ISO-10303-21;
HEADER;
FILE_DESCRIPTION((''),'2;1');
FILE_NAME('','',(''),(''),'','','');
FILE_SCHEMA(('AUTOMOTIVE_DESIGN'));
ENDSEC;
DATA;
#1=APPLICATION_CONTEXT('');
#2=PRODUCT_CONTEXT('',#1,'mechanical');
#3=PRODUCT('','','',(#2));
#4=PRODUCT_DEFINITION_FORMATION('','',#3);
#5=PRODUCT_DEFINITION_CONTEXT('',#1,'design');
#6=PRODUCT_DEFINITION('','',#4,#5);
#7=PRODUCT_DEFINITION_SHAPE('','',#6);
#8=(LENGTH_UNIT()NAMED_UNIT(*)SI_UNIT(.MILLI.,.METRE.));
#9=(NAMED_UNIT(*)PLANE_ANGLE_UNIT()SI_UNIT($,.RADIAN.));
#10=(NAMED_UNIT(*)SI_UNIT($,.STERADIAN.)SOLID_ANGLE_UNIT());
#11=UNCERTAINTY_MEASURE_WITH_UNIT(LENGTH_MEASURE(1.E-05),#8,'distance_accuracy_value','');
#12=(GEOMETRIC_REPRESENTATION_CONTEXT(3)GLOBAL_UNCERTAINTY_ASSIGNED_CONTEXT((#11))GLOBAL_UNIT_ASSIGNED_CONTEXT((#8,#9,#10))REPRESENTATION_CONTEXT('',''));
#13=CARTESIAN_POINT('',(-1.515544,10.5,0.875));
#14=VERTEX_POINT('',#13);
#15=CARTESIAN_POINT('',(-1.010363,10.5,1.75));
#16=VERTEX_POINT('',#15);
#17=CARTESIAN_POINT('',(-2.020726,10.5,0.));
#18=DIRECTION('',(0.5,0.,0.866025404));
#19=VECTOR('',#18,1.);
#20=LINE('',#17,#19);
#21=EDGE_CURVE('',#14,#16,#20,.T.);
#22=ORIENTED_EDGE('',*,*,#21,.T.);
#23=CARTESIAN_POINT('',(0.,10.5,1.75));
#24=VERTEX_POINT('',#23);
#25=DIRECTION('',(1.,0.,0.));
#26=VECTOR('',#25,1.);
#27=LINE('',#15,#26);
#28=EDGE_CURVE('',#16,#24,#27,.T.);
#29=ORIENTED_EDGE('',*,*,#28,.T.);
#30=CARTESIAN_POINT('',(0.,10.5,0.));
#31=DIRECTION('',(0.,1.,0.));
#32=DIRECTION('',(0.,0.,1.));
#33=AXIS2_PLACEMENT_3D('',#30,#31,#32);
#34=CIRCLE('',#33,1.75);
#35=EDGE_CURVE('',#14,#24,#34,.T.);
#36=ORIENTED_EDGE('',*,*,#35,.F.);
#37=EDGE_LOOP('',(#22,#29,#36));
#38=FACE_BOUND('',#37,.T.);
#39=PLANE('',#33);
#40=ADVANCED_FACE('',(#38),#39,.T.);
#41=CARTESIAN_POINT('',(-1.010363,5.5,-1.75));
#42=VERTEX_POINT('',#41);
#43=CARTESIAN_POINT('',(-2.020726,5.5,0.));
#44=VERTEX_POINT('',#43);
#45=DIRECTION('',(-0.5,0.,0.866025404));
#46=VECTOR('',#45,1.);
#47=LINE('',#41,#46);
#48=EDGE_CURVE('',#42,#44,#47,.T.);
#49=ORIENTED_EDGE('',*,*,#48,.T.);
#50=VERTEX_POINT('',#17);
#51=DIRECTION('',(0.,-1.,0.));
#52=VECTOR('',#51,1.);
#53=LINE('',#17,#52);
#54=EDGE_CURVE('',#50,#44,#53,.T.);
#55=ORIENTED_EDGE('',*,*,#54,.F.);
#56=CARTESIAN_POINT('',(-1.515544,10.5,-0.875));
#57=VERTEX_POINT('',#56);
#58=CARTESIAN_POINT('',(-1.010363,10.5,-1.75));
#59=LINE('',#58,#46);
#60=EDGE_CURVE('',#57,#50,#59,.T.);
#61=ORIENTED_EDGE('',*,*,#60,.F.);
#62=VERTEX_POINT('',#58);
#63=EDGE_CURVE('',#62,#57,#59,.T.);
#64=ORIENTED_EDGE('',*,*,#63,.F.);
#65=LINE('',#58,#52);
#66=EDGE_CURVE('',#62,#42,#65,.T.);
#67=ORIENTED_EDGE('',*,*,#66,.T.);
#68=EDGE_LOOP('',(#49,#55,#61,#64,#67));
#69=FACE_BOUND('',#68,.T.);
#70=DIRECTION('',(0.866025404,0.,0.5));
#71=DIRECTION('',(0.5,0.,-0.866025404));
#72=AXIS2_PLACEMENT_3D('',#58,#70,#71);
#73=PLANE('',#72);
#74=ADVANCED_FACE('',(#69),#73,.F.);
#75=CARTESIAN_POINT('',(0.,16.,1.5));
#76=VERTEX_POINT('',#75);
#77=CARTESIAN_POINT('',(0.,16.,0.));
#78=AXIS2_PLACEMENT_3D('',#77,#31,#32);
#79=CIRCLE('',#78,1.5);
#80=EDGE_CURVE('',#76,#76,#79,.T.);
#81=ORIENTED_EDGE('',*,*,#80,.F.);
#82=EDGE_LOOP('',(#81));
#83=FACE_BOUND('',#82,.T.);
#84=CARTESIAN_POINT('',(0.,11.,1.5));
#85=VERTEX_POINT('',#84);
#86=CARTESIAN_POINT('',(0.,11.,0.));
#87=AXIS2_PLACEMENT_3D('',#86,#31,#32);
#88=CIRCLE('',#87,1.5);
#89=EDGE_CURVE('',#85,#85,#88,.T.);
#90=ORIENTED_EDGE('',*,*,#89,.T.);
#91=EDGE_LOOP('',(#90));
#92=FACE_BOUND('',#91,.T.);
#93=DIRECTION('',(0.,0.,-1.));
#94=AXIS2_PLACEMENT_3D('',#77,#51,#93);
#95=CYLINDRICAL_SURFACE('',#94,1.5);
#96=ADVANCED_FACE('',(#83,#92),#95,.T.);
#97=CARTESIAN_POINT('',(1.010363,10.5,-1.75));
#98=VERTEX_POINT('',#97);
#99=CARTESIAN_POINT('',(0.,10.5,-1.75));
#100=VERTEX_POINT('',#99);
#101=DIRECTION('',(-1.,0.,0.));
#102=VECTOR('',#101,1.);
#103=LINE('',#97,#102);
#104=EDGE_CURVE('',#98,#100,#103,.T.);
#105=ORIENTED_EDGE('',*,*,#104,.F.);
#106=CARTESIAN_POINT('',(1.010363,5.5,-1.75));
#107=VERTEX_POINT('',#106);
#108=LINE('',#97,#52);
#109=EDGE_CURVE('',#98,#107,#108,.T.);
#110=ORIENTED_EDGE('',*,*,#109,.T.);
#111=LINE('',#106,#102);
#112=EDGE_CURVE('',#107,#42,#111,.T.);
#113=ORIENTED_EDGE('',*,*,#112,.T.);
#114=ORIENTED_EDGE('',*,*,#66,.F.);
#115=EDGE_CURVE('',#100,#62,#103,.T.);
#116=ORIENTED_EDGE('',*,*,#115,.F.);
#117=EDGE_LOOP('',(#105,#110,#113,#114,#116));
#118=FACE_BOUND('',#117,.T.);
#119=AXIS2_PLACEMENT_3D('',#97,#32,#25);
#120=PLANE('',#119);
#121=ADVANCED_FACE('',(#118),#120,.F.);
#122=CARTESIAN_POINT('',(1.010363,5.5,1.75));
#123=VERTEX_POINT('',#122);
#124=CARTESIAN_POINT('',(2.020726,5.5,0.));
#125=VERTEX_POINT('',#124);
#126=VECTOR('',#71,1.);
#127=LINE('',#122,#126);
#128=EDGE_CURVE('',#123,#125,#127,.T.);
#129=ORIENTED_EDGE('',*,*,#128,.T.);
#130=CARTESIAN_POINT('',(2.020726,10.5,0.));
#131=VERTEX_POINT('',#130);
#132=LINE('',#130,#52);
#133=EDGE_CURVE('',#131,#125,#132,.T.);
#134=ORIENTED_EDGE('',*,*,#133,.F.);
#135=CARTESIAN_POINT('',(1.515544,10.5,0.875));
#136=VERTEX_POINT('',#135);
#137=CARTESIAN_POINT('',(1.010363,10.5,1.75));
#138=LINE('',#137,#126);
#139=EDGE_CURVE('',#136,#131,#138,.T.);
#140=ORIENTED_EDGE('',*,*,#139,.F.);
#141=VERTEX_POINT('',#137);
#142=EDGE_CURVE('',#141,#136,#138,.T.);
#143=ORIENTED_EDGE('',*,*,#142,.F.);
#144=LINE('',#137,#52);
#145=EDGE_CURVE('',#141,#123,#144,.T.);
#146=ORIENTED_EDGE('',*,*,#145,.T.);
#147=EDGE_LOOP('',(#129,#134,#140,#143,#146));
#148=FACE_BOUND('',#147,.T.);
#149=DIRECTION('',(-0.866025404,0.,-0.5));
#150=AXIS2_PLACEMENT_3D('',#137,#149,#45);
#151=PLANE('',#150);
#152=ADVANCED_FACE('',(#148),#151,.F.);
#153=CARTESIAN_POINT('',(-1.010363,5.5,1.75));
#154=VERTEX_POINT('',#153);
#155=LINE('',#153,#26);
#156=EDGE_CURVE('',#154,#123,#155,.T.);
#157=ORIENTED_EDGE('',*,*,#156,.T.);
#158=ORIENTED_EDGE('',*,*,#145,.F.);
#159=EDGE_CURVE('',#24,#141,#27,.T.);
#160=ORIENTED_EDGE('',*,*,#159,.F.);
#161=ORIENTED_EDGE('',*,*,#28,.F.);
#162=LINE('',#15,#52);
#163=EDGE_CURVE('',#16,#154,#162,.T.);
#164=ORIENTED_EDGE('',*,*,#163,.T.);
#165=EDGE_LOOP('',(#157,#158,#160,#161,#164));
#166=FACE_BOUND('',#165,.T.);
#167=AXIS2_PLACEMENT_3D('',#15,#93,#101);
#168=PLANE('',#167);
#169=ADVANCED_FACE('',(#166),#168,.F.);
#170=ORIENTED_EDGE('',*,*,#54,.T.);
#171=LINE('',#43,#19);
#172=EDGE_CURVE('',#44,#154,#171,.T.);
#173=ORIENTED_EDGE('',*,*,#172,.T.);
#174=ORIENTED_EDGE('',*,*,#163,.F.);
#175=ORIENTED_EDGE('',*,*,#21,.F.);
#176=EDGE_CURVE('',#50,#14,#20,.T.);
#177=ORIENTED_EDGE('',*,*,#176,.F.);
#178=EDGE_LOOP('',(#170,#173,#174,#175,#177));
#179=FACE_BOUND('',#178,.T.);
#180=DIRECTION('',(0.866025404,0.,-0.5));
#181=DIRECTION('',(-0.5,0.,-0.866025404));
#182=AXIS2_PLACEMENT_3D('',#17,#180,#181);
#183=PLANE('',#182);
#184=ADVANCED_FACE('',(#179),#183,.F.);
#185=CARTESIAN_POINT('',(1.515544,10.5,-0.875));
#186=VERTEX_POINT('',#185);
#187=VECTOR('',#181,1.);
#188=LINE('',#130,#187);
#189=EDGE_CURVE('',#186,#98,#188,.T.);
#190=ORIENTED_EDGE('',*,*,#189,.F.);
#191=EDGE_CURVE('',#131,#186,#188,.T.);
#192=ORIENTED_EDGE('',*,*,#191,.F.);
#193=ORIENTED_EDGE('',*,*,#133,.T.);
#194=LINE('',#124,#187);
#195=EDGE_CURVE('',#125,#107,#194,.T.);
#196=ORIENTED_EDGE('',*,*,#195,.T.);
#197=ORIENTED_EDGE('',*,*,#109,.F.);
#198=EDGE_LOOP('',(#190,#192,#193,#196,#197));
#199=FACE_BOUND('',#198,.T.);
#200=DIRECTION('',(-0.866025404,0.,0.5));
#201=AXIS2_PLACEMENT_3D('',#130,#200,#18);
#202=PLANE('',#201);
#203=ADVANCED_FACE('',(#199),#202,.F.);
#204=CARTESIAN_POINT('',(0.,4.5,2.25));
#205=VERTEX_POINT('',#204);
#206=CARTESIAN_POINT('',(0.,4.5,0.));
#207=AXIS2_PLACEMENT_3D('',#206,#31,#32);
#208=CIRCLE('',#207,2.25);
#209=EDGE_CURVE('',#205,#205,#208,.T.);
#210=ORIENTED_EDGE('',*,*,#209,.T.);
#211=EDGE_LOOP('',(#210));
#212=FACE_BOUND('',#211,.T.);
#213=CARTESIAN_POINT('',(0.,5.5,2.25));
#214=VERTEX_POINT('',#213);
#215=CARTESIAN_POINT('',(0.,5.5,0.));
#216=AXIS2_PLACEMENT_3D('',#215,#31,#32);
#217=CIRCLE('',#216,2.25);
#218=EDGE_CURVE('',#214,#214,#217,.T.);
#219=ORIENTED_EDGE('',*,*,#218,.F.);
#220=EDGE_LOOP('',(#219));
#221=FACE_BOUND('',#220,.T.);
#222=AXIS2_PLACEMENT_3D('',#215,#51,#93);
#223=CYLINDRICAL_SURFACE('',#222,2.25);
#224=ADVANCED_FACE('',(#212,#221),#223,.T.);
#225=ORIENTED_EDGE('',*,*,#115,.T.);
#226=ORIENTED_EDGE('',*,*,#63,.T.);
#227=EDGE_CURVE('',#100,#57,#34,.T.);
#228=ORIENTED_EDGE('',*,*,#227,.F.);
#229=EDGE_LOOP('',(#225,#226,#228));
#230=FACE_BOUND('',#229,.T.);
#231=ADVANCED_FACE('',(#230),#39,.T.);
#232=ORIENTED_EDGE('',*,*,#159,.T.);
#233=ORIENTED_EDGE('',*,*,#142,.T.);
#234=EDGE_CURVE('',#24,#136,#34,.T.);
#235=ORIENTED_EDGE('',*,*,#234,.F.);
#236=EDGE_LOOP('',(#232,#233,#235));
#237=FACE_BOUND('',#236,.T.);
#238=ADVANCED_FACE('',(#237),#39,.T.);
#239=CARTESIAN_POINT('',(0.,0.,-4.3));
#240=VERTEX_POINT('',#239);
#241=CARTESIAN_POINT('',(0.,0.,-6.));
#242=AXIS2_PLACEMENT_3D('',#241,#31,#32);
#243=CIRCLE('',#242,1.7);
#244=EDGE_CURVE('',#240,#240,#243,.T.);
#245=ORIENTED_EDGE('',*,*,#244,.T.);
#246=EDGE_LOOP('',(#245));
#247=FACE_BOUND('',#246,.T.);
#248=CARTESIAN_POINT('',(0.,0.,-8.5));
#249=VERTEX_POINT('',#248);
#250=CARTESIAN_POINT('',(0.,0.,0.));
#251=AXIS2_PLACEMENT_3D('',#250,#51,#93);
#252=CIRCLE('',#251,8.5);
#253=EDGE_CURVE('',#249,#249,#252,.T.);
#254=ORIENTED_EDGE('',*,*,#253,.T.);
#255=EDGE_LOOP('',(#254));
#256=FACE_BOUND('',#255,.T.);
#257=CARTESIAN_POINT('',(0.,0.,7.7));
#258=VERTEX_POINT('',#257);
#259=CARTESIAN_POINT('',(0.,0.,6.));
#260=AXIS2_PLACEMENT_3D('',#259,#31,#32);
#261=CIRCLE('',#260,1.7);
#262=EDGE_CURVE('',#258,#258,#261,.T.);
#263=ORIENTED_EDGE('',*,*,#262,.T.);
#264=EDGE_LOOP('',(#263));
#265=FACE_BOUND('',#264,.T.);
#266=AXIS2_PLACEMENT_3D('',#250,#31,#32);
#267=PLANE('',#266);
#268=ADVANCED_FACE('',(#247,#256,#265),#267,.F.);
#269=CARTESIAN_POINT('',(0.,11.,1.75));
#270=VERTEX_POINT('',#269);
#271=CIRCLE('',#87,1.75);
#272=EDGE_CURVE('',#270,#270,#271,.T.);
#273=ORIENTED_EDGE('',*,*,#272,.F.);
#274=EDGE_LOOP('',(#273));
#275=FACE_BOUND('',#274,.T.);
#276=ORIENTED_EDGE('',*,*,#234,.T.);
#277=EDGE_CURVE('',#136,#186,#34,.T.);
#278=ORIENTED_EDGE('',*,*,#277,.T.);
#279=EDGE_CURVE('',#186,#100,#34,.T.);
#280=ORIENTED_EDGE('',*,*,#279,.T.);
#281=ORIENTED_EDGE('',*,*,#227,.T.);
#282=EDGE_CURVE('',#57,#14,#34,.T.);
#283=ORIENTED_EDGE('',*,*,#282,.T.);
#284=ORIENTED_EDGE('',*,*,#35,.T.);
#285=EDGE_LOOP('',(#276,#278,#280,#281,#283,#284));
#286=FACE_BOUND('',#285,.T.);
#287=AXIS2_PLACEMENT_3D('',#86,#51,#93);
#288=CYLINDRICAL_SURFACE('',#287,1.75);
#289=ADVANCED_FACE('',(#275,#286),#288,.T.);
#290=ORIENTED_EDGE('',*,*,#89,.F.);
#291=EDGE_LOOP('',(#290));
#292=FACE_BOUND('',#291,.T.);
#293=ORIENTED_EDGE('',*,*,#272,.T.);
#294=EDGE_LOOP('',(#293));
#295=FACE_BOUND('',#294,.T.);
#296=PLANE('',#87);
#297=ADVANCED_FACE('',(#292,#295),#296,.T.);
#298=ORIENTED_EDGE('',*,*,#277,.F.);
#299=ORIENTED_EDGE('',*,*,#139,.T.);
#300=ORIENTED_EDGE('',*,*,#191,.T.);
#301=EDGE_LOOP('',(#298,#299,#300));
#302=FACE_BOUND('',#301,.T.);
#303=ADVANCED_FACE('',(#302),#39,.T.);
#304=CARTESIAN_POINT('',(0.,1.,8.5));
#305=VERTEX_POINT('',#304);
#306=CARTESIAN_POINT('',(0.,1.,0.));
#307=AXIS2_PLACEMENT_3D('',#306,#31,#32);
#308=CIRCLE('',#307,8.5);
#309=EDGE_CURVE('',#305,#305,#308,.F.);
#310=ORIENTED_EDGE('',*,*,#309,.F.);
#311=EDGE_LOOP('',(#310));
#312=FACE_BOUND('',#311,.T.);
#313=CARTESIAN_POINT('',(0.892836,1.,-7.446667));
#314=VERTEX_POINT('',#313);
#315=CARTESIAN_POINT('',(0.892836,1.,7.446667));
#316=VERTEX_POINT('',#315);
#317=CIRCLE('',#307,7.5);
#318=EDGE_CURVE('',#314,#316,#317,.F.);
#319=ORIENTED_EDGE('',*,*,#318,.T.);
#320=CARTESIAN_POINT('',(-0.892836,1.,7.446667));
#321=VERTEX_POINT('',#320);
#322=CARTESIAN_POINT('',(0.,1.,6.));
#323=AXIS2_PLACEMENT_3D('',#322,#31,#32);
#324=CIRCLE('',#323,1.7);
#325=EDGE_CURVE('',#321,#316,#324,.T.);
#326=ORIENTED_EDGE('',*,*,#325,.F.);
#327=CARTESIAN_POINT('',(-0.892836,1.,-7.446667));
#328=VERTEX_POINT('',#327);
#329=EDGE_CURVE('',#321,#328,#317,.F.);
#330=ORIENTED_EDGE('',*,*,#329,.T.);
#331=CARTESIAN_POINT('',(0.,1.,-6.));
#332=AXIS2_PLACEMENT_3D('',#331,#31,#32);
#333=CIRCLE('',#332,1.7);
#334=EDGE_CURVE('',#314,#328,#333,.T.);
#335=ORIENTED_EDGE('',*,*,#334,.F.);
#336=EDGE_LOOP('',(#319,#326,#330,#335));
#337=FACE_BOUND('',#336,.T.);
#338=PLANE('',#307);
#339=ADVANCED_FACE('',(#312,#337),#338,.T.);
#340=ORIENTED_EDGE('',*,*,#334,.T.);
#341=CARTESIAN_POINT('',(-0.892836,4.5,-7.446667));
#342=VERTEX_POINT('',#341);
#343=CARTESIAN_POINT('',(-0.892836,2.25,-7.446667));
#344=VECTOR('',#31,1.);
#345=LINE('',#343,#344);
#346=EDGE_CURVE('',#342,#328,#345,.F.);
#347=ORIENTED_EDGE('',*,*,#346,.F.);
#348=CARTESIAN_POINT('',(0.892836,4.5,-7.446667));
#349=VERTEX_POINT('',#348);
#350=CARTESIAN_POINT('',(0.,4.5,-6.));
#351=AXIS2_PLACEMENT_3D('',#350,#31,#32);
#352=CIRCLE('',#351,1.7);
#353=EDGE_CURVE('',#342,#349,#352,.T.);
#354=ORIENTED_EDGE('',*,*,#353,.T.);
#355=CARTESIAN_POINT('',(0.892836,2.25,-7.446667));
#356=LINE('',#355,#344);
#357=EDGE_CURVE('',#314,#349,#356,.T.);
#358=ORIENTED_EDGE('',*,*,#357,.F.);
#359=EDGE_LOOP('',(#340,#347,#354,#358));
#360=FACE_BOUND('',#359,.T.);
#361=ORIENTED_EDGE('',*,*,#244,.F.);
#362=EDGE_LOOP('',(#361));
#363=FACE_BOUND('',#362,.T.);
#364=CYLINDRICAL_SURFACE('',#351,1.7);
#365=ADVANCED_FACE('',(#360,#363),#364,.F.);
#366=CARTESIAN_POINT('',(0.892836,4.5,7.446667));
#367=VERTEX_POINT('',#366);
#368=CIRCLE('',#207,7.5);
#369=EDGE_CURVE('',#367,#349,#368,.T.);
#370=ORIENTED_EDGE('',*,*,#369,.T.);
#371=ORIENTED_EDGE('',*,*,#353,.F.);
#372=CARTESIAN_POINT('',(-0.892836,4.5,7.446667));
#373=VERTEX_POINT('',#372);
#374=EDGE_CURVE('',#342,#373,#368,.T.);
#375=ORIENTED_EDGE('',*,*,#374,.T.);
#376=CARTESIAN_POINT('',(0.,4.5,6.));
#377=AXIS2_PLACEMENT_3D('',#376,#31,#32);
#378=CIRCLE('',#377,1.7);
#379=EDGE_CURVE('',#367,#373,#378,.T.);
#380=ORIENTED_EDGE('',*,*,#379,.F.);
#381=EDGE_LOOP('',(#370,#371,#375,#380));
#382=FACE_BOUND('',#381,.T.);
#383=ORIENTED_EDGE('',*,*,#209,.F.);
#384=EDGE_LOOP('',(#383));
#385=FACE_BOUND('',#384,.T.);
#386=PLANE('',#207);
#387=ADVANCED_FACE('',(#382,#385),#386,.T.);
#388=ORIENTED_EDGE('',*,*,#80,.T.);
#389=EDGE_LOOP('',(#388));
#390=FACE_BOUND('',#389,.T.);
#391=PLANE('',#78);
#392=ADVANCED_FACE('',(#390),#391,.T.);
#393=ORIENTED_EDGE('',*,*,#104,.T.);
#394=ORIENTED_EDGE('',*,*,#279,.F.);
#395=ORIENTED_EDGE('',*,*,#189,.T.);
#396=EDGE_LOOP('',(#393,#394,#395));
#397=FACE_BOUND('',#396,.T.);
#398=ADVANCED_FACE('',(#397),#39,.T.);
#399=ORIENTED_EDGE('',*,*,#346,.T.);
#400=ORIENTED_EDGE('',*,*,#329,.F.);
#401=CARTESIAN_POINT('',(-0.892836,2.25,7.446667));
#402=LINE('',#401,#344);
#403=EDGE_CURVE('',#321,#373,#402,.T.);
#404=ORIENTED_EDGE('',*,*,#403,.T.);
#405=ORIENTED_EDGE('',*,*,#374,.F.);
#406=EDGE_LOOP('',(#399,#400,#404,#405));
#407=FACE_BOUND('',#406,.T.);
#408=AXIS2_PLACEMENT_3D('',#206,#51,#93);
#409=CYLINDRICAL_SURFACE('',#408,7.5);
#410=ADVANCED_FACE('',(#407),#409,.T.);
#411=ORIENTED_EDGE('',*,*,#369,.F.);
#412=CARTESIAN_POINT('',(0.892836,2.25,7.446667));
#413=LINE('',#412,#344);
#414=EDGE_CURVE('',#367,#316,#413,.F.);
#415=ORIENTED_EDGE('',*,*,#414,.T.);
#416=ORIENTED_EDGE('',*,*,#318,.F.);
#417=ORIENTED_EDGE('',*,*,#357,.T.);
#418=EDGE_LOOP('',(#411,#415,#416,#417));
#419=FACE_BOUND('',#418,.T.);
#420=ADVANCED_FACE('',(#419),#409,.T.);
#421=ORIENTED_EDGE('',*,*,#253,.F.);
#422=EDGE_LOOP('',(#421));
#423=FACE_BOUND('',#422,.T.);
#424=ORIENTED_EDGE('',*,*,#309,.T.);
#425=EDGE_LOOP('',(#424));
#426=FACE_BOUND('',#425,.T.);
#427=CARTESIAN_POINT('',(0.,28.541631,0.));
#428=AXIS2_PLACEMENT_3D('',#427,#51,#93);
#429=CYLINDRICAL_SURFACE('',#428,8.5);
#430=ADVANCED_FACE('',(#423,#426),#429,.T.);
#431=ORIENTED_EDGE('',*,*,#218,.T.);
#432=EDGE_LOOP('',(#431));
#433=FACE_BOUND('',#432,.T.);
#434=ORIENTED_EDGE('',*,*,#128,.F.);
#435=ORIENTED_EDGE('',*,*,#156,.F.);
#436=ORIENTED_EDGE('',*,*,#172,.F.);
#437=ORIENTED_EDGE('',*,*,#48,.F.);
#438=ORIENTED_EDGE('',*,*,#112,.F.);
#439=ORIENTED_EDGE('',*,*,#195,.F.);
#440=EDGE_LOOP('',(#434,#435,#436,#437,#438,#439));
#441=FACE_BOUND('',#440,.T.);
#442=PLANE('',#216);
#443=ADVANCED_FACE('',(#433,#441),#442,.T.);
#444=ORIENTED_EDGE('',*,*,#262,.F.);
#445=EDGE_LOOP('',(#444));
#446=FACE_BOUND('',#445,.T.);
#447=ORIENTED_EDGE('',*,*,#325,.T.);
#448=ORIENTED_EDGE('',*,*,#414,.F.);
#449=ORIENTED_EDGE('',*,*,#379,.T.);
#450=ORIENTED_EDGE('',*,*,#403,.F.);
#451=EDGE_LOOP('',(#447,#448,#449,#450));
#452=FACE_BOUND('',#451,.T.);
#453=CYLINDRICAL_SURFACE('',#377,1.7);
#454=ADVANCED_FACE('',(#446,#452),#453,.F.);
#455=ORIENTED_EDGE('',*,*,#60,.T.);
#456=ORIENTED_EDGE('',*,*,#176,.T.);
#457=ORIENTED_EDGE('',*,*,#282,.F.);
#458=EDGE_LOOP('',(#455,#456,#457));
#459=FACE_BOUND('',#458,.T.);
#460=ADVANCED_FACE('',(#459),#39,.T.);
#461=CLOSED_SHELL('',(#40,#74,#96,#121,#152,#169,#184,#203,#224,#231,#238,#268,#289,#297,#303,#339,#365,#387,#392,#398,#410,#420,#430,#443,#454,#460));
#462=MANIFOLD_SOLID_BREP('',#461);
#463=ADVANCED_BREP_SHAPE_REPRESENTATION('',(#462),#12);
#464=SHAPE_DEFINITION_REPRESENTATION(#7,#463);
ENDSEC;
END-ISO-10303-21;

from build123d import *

# Parameters (mm, degrees)
SKETCH_1_R         = 7.5
EXTRUDE_1_DEPTH    = 4.5
SKETCH_9_R         = 2.25
EXTRUDE_6_DEPTH    = 1
EXTRUDE_2_DEPTH    = 5
SKETCH_6_R         = 1.75
EXTRUDE_3_DEPTH    = 0.5
SKETCH_7_R         = 1.5
EXTRUDE_4_DEPTH    = 5
SKETCH_8_R         = 8.5
SKETCH_8_R_2       = 7.5
EXTRUDE_5_DEPTH    = 1
HOLE_WIZARD_M3_1_D = 3.4


with BuildPart() as part:
    # ｽｹｯﾁ1 → ﾎﾞｽ - 押し出し1 (new body)
    with BuildSketch(Plane(origin=(0, 0, 0), x_dir=(1, 0, 0), z_dir=(0, 1, 0))):
        Circle(SKETCH_1_R)
    extrude(amount=EXTRUDE_1_DEPTH)

    # ｽｹｯﾁ9 → ﾎﾞｽ - 押し出し6 (add)
    with BuildSketch(Plane(origin=(0, 4.5, 0), x_dir=(1, 0, 0), z_dir=(0, 1, 0))):
        Circle(SKETCH_9_R)
    extrude(amount=EXTRUDE_6_DEPTH)

    # ｽｹｯﾁ2 → ﾎﾞｽ - 押し出し2 (add)
    with BuildSketch(Plane(origin=(0, 5.5, 0), x_dir=(1, 0, 0), z_dir=(0, 1, 0))):
        Polygon((2.020725942, 0), (1.010362971, 1.75), (-1.010362971, 1.75), (-2.020725942, 0), (-1.010362971, -1.75), (1.010362971, -1.75), align=None)
    extrude(amount=EXTRUDE_2_DEPTH)

    # ｽｹｯﾁ6 → ﾎﾞｽ - 押し出し3 (add)
    with BuildSketch(Plane(origin=(0, 10.5, 0), x_dir=(1, 0, 0), z_dir=(0, 1, 0))):
        Circle(SKETCH_6_R)
    extrude(amount=EXTRUDE_3_DEPTH)

    # ｽｹｯﾁ7 → ﾎﾞｽ - 押し出し4 (add)
    with BuildSketch(Plane(origin=(0, 11, 0), x_dir=(1, 0, 0), z_dir=(0, 1, 0))):
        Circle(SKETCH_7_R)
    extrude(amount=EXTRUDE_4_DEPTH)

    # ｽｹｯﾁ8 → ﾎﾞｽ - 押し出し5 (add)
    with BuildSketch(Plane(origin=(0, 0, 0), x_dir=(-1, 0, 0), z_dir=(0, -1, 0))):
        Circle(SKETCH_8_R)
        Circle(SKETCH_8_R_2, mode=Mode.SUBTRACT)
    extrude(amount=-EXTRUDE_5_DEPTH)

    # M3 すきま穴1 (through all)
    with Locations(Plane(origin=(0, 4.5, 0), x_dir=(1, 0, 0), z_dir=(0, 1, 0))):
        with Locations((0, 6), (0, -6)):
            Hole(HOLE_WIZARD_M3_1_D / 2)


solid = part.part
